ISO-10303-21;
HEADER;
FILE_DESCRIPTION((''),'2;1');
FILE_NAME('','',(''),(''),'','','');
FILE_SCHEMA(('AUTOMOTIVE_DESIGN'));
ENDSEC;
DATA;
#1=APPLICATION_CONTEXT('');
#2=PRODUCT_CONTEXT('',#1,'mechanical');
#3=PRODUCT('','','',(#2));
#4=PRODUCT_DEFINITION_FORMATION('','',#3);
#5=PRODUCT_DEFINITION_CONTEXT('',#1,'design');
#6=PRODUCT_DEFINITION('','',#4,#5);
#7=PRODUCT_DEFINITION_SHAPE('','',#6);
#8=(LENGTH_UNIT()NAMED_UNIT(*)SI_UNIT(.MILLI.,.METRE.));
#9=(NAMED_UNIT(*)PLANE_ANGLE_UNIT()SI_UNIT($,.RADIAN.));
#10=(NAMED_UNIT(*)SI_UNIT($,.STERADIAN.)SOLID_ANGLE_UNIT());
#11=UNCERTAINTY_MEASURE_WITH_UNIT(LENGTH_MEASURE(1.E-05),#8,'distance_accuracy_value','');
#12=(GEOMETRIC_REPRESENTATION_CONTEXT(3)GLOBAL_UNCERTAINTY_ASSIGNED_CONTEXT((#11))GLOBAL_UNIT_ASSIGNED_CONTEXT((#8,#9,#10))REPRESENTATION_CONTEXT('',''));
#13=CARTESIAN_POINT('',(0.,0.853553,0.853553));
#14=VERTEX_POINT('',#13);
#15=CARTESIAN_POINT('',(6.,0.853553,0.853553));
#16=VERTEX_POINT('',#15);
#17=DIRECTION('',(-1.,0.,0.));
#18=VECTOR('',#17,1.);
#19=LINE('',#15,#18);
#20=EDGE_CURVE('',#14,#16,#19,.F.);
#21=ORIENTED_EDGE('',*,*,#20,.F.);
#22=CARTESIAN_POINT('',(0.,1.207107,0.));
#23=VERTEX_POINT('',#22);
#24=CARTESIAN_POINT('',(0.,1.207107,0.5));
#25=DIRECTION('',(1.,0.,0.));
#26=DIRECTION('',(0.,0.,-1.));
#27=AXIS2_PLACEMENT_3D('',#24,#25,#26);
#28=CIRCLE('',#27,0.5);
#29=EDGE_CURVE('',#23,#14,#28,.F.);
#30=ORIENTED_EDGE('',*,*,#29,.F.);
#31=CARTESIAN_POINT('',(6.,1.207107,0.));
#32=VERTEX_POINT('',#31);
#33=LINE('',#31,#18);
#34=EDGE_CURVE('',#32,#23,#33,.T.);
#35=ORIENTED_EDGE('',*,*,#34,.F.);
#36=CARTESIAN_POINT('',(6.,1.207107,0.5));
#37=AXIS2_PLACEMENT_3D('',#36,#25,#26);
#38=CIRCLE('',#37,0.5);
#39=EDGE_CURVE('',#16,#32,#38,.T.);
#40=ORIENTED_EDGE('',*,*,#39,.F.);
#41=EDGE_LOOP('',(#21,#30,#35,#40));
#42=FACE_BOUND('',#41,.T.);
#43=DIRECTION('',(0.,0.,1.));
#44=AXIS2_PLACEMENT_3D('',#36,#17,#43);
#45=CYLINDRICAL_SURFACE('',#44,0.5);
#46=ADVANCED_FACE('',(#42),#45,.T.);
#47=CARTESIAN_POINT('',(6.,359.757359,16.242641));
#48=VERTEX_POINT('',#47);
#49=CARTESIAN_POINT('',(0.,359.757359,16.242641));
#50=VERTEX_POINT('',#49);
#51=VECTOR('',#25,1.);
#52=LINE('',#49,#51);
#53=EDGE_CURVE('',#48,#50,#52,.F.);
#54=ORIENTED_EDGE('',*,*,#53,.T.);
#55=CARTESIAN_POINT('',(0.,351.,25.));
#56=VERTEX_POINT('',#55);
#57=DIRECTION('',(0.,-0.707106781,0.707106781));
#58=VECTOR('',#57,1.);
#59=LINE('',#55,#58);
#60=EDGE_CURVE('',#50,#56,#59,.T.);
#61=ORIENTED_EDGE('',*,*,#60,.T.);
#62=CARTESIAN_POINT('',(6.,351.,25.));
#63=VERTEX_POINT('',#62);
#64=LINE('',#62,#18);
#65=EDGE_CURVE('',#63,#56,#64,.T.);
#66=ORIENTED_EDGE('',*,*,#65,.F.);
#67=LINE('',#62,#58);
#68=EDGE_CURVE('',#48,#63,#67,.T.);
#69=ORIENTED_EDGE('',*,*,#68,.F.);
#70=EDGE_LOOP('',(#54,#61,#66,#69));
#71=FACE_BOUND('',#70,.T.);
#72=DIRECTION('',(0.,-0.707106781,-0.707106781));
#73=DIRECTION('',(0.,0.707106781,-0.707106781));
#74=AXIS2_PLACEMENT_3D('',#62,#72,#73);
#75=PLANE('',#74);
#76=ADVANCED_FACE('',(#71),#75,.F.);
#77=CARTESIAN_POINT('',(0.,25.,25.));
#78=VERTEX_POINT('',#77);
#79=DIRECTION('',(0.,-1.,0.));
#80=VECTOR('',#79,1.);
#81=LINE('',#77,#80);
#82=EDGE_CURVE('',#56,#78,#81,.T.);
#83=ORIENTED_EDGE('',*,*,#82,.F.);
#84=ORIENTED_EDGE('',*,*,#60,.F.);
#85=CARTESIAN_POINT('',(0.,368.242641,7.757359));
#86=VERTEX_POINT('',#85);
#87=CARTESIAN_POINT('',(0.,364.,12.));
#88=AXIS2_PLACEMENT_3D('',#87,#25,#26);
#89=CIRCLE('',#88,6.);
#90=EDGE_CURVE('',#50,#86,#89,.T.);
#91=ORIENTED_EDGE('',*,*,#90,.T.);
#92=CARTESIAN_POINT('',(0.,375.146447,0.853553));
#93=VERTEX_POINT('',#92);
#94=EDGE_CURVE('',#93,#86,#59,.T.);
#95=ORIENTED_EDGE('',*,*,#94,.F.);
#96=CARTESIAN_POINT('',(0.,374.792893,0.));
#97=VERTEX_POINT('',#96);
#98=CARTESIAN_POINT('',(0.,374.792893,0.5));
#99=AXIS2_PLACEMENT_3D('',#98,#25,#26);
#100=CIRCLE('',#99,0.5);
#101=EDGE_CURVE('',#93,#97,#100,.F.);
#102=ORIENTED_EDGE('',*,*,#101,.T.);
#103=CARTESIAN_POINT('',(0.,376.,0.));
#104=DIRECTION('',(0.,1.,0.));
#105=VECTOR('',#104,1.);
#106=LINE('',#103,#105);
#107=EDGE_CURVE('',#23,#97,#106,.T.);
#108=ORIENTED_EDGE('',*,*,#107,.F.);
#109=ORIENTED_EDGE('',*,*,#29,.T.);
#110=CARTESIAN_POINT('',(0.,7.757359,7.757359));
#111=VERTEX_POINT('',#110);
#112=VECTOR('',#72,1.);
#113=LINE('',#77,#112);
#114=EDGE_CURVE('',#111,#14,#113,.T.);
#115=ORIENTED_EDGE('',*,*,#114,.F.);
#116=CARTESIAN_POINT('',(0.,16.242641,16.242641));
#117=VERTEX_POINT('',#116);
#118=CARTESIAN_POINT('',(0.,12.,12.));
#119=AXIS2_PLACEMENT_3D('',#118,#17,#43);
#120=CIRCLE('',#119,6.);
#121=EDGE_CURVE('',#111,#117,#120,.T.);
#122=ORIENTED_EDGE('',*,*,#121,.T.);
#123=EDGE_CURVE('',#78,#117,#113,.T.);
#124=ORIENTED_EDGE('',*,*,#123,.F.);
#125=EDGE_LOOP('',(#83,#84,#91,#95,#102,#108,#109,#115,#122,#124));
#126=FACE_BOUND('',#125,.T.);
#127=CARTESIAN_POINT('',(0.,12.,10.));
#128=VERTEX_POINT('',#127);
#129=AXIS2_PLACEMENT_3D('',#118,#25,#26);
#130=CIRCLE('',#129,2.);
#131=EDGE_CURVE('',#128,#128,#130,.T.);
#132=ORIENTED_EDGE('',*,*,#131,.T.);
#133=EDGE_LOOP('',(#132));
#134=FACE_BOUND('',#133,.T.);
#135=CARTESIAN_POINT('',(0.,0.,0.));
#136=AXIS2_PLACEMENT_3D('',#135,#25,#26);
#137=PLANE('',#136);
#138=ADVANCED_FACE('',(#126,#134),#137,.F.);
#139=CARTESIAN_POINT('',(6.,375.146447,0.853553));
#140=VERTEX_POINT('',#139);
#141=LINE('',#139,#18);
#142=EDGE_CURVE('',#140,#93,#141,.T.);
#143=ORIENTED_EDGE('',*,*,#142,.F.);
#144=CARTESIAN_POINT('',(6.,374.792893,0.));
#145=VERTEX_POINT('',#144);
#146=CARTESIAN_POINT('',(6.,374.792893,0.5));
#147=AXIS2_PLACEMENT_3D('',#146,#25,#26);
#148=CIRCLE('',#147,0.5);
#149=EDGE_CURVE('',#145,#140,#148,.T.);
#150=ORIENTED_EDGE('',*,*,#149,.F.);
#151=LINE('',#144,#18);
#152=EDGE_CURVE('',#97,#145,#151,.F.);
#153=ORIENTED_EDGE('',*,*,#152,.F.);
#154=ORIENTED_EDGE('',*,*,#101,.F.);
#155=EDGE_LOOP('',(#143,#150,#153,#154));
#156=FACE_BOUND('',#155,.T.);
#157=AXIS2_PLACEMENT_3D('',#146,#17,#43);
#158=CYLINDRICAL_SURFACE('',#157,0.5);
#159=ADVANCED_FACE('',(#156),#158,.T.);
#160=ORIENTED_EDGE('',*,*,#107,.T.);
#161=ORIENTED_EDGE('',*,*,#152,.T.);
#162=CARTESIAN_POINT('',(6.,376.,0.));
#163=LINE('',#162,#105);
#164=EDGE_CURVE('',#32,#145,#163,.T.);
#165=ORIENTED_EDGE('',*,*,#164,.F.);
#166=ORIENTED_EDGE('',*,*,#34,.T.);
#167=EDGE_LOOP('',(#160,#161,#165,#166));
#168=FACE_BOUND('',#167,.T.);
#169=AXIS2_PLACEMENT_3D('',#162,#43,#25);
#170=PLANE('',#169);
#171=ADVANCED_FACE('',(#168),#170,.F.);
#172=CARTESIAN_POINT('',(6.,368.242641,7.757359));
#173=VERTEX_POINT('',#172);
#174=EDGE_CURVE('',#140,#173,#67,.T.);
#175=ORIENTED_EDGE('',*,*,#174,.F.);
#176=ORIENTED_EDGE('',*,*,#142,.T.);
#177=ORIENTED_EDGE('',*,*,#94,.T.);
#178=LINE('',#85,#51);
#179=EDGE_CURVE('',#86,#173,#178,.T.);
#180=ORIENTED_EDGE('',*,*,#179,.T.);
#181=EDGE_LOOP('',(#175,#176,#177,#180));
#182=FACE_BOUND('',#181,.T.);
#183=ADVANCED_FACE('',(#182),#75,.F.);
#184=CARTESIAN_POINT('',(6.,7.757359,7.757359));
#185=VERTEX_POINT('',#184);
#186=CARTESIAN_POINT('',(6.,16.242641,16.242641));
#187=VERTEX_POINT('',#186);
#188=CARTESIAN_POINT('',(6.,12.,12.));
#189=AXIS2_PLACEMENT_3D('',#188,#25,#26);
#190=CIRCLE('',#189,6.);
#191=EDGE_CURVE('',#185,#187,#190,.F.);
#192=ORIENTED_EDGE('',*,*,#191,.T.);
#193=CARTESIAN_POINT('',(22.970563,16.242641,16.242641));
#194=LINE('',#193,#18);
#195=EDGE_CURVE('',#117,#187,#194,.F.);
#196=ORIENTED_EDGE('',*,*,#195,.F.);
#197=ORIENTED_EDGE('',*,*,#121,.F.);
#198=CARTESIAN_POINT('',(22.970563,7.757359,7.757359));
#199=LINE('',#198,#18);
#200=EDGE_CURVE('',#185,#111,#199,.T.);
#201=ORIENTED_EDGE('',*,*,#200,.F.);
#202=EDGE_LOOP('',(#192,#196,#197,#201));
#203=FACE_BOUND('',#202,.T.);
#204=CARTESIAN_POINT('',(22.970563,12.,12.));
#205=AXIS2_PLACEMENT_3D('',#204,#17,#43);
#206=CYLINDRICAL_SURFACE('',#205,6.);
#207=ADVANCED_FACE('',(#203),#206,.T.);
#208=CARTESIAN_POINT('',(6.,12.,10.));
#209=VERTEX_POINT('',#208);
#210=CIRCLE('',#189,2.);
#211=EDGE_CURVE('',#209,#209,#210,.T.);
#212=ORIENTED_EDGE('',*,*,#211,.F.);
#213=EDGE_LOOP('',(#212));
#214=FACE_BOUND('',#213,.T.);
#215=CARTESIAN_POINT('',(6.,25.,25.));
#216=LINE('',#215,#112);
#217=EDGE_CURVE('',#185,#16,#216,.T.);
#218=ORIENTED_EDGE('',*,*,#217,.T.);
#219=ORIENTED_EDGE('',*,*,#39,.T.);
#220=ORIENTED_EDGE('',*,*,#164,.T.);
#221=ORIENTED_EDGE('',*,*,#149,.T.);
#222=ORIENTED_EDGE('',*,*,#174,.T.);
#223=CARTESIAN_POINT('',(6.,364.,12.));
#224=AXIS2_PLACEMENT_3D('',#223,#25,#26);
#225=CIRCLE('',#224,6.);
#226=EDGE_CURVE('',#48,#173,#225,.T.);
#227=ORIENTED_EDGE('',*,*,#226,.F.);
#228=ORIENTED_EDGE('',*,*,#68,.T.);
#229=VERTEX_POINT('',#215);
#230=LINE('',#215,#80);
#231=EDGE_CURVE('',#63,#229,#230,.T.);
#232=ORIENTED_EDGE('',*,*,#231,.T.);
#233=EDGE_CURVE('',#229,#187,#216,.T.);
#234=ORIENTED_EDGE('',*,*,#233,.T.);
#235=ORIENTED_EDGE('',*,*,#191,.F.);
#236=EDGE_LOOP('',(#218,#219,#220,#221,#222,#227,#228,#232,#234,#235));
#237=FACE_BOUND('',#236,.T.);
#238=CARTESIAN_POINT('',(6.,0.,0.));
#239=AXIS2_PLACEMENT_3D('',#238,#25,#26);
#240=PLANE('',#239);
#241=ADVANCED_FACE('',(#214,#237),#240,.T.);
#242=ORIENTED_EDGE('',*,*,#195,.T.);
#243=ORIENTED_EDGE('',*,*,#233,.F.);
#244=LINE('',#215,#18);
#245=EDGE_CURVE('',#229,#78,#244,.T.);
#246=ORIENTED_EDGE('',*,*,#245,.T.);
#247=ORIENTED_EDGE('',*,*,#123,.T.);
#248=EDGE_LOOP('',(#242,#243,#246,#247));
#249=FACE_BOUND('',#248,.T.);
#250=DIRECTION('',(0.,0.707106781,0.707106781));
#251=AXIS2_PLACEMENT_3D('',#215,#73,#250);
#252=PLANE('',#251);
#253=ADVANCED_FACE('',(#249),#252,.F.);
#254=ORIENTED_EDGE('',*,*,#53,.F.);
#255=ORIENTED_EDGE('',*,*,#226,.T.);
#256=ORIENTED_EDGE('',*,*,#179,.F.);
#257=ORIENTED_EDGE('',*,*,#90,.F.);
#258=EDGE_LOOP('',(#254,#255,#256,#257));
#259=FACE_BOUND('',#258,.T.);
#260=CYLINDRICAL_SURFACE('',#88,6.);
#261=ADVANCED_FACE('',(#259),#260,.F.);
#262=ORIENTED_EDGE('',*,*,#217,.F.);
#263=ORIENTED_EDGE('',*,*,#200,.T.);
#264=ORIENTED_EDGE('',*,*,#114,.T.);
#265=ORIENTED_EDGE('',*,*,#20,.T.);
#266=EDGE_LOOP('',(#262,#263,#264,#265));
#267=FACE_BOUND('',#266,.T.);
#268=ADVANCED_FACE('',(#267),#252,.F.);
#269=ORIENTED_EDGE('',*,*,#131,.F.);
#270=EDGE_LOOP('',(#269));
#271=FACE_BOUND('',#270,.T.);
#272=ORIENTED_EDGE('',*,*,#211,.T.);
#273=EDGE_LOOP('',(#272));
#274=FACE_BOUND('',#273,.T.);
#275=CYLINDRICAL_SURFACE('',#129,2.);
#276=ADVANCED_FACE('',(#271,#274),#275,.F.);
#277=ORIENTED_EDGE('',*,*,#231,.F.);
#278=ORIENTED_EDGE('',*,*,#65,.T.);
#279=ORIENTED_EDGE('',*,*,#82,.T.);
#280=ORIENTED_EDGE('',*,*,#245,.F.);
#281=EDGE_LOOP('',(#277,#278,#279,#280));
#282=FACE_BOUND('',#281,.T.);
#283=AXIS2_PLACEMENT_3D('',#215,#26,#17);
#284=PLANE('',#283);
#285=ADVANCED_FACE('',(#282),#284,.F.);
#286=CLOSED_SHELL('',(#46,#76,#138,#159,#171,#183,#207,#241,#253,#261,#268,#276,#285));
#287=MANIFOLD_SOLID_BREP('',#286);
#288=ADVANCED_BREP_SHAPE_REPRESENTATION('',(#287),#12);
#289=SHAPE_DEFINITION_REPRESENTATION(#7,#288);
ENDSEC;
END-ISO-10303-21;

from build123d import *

# Parameters (mm, degrees)
BOSS_EXTRUDE1_DEPTH = 6
FILLET1_R           = 0.5
SKETCH4_R           = 6
BOSS_EXTRUDE2_DEPTH = 6
SKETCH3_R           = 6
SKETCH3_R_2         = 2
CUT_EXTRUDE1_DEPTH  = 377.172507901


with BuildPart() as part:
    # Sketch2 → Boss-Extrude1 (new body)
    with BuildSketch(Plane(origin=(0, 0, 0), x_dir=(0, 0, -1), z_dir=(1, 0, 0))):
        Polygon((0, 376), (0, 0), (-25, 25), (-25, 351), align=None)
    extrude(amount=BOSS_EXTRUDE1_DEPTH)

    # Fillet1
    fillet1_edges = [part.edges().sort_by_distance(p)[0] for p in [
        (3, 376, 0),
        (3, 0, 0),
    ]]
    fillet(fillet1_edges, radius=FILLET1_R)

    # Sketch4 → Boss-Extrude2 (add)
    with BuildSketch(Plane.ZY):
        with Locations((12, 12)):
            Circle(SKETCH4_R)
    extrude(amount=-BOSS_EXTRUDE2_DEPTH)

    # Sketch3 → Cut-Extrude1 (cut, through all)
    with BuildSketch(Plane(origin=(6, 0, 0), x_dir=(0, 0, -1), z_dir=(1, 0, 0))):
        with Locations((-12, 364)):
            Circle(SKETCH3_R)
        with Locations((-12, 12)):
            Circle(SKETCH3_R_2)
    extrude(amount=-CUT_EXTRUDE1_DEPTH, mode=Mode.SUBTRACT)


solid = part.part
